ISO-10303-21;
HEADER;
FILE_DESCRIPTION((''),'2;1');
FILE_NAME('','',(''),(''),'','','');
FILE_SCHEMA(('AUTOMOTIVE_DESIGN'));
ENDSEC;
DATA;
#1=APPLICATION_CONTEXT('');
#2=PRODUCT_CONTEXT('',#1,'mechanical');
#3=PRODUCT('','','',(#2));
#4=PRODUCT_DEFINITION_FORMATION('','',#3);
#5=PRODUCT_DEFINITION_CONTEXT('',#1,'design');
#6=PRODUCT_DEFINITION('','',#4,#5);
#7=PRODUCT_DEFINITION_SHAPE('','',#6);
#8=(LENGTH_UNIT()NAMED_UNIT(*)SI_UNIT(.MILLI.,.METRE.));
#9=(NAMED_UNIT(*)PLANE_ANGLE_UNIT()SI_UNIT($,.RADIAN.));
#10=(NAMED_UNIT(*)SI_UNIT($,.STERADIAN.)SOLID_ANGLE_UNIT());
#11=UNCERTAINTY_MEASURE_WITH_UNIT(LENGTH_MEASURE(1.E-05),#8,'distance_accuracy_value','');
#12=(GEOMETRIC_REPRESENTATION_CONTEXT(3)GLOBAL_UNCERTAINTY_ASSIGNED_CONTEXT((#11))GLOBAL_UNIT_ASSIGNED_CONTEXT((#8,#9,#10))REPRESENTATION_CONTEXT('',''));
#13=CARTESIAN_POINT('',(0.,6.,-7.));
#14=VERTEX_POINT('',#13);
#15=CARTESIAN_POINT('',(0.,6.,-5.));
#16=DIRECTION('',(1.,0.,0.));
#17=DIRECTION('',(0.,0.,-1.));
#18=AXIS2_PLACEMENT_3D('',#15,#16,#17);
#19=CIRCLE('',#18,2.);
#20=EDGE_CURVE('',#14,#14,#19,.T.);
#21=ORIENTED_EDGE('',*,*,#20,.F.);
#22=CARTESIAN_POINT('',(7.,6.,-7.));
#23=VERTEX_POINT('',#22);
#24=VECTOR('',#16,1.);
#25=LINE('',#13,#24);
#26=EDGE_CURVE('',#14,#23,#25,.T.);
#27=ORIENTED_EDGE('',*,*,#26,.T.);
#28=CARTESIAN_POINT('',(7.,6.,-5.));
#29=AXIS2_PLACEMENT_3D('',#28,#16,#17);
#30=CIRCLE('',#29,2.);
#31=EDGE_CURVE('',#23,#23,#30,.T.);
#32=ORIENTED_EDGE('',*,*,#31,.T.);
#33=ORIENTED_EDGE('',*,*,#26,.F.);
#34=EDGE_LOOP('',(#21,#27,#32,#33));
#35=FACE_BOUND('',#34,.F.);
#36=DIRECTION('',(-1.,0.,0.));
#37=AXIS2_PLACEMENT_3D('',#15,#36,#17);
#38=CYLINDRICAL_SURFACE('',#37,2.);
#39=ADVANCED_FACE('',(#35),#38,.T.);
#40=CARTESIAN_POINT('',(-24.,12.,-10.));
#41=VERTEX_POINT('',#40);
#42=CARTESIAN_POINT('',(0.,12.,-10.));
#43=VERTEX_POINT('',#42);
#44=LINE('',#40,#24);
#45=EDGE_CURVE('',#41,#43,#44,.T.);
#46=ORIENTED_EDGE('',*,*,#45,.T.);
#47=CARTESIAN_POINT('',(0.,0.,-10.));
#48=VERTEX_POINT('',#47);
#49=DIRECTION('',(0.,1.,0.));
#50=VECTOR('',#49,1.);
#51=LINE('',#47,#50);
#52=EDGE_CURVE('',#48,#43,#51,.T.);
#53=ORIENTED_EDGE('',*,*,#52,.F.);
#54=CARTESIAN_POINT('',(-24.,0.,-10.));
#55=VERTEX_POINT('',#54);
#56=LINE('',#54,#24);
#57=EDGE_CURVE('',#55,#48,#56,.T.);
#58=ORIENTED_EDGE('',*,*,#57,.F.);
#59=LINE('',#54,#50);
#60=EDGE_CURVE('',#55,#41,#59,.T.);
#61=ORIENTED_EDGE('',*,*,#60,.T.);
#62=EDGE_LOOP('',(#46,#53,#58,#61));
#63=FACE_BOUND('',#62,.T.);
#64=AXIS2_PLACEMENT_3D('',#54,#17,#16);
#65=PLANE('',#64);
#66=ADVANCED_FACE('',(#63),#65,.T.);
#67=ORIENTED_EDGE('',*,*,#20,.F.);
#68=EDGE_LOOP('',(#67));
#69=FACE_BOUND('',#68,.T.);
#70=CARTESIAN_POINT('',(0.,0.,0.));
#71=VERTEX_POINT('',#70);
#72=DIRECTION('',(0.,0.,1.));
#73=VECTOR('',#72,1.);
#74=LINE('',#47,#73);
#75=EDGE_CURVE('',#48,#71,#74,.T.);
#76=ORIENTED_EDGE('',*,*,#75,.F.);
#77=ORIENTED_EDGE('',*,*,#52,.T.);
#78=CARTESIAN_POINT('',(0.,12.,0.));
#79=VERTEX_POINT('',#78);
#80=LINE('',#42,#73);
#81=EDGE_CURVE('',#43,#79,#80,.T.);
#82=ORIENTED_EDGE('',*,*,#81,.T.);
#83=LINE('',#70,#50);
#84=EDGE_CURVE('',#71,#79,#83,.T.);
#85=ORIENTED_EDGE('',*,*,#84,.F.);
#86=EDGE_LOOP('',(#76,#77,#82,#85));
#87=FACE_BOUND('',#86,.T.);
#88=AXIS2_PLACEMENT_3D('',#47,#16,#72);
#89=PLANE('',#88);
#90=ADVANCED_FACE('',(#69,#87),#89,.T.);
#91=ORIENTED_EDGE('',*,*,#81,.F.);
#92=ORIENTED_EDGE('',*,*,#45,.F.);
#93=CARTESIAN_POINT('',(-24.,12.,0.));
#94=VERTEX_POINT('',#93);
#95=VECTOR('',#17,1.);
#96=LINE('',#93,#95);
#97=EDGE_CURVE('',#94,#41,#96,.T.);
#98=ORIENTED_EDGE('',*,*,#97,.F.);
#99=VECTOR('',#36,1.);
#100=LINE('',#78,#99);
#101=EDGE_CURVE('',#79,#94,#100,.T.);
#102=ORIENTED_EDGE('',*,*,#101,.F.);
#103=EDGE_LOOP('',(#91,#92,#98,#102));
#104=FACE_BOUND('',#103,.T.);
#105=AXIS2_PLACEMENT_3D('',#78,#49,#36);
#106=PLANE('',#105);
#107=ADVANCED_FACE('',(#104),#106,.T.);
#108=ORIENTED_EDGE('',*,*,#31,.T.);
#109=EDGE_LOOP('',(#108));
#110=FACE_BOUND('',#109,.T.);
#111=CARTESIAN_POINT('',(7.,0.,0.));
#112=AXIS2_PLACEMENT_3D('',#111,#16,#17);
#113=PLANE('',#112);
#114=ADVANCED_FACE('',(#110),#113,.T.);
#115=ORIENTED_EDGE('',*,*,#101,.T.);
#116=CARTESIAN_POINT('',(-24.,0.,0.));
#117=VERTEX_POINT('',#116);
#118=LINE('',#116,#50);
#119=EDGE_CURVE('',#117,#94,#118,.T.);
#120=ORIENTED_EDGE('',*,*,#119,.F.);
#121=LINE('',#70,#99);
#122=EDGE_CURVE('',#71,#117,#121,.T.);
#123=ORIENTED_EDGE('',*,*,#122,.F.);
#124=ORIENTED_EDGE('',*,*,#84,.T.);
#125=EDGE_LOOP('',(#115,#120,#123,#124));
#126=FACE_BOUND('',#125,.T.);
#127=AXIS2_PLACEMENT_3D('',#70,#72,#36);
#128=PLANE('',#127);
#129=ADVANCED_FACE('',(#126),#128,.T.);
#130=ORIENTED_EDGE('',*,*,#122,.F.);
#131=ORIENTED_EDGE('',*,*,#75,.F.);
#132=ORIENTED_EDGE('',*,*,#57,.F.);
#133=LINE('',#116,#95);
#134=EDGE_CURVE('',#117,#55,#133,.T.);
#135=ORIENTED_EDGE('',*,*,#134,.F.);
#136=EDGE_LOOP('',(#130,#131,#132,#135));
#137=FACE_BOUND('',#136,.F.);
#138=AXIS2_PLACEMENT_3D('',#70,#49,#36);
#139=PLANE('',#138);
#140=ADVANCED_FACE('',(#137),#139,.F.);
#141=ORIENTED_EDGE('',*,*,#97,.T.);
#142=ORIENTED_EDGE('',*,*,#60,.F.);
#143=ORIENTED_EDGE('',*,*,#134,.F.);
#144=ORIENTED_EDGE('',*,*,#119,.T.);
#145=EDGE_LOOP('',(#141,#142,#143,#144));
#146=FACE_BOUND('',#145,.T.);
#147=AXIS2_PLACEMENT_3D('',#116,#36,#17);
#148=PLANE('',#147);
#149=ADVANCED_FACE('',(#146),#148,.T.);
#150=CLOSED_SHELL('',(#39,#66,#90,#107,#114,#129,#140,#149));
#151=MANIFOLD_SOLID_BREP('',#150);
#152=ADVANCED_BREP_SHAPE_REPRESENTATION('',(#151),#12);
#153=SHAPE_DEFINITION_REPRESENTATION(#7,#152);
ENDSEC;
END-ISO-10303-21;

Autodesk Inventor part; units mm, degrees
ref_plane "YZ Plane" through (0, 0, 0) normal (1, 0, 0) x (0, 1, 0)
ref_plane "XZ Plane" through (0, 0, 0) normal (0, 1, 0) x (-1, 0, 0)
ref_plane "XY Plane" through (0, 0, 0) normal (0, 0, 1) x (1, 0, 0)
sketch "Sketch1" plane through (0, 0, 0) normal (0, 1, 0) x (-1, 0, 0)
  line L0 (0, 0) -> (24, 0)
  line L1 (24, 0) -> (24, -10)
  line L2 (24, -10) -> (0, -10)
  line L3 (0, -10) -> (0, 0)
  dimension "d0" = 24
  dimension "d1" = 10
extrude "Extrusion1" add sketch "Sketch1" along normal blind 12
sketch "Sketch2" plane through (0, 0, 0) normal (1, 0, 0) x (0, 0, -1)
  circle A0 centre (5, 6) radius 2
  line L0 (10, 0) -> (10, 12) construction
  line L1 (10, 6) -> (0, 6) construction
  line L2 (0, 0) -> (0, 12) construction
  line L3 (10, 12) -> (0, 12) construction
  line L4 (5, 12) -> (5, 0) construction
  line L5 (10, 0) -> (0, 0) construction
  point P0 (5, 6)
  dimension "d4" = 4
extrude "Extrusion2" add sketch "Sketch2" along normal blind 7
properties part number "Motor"
